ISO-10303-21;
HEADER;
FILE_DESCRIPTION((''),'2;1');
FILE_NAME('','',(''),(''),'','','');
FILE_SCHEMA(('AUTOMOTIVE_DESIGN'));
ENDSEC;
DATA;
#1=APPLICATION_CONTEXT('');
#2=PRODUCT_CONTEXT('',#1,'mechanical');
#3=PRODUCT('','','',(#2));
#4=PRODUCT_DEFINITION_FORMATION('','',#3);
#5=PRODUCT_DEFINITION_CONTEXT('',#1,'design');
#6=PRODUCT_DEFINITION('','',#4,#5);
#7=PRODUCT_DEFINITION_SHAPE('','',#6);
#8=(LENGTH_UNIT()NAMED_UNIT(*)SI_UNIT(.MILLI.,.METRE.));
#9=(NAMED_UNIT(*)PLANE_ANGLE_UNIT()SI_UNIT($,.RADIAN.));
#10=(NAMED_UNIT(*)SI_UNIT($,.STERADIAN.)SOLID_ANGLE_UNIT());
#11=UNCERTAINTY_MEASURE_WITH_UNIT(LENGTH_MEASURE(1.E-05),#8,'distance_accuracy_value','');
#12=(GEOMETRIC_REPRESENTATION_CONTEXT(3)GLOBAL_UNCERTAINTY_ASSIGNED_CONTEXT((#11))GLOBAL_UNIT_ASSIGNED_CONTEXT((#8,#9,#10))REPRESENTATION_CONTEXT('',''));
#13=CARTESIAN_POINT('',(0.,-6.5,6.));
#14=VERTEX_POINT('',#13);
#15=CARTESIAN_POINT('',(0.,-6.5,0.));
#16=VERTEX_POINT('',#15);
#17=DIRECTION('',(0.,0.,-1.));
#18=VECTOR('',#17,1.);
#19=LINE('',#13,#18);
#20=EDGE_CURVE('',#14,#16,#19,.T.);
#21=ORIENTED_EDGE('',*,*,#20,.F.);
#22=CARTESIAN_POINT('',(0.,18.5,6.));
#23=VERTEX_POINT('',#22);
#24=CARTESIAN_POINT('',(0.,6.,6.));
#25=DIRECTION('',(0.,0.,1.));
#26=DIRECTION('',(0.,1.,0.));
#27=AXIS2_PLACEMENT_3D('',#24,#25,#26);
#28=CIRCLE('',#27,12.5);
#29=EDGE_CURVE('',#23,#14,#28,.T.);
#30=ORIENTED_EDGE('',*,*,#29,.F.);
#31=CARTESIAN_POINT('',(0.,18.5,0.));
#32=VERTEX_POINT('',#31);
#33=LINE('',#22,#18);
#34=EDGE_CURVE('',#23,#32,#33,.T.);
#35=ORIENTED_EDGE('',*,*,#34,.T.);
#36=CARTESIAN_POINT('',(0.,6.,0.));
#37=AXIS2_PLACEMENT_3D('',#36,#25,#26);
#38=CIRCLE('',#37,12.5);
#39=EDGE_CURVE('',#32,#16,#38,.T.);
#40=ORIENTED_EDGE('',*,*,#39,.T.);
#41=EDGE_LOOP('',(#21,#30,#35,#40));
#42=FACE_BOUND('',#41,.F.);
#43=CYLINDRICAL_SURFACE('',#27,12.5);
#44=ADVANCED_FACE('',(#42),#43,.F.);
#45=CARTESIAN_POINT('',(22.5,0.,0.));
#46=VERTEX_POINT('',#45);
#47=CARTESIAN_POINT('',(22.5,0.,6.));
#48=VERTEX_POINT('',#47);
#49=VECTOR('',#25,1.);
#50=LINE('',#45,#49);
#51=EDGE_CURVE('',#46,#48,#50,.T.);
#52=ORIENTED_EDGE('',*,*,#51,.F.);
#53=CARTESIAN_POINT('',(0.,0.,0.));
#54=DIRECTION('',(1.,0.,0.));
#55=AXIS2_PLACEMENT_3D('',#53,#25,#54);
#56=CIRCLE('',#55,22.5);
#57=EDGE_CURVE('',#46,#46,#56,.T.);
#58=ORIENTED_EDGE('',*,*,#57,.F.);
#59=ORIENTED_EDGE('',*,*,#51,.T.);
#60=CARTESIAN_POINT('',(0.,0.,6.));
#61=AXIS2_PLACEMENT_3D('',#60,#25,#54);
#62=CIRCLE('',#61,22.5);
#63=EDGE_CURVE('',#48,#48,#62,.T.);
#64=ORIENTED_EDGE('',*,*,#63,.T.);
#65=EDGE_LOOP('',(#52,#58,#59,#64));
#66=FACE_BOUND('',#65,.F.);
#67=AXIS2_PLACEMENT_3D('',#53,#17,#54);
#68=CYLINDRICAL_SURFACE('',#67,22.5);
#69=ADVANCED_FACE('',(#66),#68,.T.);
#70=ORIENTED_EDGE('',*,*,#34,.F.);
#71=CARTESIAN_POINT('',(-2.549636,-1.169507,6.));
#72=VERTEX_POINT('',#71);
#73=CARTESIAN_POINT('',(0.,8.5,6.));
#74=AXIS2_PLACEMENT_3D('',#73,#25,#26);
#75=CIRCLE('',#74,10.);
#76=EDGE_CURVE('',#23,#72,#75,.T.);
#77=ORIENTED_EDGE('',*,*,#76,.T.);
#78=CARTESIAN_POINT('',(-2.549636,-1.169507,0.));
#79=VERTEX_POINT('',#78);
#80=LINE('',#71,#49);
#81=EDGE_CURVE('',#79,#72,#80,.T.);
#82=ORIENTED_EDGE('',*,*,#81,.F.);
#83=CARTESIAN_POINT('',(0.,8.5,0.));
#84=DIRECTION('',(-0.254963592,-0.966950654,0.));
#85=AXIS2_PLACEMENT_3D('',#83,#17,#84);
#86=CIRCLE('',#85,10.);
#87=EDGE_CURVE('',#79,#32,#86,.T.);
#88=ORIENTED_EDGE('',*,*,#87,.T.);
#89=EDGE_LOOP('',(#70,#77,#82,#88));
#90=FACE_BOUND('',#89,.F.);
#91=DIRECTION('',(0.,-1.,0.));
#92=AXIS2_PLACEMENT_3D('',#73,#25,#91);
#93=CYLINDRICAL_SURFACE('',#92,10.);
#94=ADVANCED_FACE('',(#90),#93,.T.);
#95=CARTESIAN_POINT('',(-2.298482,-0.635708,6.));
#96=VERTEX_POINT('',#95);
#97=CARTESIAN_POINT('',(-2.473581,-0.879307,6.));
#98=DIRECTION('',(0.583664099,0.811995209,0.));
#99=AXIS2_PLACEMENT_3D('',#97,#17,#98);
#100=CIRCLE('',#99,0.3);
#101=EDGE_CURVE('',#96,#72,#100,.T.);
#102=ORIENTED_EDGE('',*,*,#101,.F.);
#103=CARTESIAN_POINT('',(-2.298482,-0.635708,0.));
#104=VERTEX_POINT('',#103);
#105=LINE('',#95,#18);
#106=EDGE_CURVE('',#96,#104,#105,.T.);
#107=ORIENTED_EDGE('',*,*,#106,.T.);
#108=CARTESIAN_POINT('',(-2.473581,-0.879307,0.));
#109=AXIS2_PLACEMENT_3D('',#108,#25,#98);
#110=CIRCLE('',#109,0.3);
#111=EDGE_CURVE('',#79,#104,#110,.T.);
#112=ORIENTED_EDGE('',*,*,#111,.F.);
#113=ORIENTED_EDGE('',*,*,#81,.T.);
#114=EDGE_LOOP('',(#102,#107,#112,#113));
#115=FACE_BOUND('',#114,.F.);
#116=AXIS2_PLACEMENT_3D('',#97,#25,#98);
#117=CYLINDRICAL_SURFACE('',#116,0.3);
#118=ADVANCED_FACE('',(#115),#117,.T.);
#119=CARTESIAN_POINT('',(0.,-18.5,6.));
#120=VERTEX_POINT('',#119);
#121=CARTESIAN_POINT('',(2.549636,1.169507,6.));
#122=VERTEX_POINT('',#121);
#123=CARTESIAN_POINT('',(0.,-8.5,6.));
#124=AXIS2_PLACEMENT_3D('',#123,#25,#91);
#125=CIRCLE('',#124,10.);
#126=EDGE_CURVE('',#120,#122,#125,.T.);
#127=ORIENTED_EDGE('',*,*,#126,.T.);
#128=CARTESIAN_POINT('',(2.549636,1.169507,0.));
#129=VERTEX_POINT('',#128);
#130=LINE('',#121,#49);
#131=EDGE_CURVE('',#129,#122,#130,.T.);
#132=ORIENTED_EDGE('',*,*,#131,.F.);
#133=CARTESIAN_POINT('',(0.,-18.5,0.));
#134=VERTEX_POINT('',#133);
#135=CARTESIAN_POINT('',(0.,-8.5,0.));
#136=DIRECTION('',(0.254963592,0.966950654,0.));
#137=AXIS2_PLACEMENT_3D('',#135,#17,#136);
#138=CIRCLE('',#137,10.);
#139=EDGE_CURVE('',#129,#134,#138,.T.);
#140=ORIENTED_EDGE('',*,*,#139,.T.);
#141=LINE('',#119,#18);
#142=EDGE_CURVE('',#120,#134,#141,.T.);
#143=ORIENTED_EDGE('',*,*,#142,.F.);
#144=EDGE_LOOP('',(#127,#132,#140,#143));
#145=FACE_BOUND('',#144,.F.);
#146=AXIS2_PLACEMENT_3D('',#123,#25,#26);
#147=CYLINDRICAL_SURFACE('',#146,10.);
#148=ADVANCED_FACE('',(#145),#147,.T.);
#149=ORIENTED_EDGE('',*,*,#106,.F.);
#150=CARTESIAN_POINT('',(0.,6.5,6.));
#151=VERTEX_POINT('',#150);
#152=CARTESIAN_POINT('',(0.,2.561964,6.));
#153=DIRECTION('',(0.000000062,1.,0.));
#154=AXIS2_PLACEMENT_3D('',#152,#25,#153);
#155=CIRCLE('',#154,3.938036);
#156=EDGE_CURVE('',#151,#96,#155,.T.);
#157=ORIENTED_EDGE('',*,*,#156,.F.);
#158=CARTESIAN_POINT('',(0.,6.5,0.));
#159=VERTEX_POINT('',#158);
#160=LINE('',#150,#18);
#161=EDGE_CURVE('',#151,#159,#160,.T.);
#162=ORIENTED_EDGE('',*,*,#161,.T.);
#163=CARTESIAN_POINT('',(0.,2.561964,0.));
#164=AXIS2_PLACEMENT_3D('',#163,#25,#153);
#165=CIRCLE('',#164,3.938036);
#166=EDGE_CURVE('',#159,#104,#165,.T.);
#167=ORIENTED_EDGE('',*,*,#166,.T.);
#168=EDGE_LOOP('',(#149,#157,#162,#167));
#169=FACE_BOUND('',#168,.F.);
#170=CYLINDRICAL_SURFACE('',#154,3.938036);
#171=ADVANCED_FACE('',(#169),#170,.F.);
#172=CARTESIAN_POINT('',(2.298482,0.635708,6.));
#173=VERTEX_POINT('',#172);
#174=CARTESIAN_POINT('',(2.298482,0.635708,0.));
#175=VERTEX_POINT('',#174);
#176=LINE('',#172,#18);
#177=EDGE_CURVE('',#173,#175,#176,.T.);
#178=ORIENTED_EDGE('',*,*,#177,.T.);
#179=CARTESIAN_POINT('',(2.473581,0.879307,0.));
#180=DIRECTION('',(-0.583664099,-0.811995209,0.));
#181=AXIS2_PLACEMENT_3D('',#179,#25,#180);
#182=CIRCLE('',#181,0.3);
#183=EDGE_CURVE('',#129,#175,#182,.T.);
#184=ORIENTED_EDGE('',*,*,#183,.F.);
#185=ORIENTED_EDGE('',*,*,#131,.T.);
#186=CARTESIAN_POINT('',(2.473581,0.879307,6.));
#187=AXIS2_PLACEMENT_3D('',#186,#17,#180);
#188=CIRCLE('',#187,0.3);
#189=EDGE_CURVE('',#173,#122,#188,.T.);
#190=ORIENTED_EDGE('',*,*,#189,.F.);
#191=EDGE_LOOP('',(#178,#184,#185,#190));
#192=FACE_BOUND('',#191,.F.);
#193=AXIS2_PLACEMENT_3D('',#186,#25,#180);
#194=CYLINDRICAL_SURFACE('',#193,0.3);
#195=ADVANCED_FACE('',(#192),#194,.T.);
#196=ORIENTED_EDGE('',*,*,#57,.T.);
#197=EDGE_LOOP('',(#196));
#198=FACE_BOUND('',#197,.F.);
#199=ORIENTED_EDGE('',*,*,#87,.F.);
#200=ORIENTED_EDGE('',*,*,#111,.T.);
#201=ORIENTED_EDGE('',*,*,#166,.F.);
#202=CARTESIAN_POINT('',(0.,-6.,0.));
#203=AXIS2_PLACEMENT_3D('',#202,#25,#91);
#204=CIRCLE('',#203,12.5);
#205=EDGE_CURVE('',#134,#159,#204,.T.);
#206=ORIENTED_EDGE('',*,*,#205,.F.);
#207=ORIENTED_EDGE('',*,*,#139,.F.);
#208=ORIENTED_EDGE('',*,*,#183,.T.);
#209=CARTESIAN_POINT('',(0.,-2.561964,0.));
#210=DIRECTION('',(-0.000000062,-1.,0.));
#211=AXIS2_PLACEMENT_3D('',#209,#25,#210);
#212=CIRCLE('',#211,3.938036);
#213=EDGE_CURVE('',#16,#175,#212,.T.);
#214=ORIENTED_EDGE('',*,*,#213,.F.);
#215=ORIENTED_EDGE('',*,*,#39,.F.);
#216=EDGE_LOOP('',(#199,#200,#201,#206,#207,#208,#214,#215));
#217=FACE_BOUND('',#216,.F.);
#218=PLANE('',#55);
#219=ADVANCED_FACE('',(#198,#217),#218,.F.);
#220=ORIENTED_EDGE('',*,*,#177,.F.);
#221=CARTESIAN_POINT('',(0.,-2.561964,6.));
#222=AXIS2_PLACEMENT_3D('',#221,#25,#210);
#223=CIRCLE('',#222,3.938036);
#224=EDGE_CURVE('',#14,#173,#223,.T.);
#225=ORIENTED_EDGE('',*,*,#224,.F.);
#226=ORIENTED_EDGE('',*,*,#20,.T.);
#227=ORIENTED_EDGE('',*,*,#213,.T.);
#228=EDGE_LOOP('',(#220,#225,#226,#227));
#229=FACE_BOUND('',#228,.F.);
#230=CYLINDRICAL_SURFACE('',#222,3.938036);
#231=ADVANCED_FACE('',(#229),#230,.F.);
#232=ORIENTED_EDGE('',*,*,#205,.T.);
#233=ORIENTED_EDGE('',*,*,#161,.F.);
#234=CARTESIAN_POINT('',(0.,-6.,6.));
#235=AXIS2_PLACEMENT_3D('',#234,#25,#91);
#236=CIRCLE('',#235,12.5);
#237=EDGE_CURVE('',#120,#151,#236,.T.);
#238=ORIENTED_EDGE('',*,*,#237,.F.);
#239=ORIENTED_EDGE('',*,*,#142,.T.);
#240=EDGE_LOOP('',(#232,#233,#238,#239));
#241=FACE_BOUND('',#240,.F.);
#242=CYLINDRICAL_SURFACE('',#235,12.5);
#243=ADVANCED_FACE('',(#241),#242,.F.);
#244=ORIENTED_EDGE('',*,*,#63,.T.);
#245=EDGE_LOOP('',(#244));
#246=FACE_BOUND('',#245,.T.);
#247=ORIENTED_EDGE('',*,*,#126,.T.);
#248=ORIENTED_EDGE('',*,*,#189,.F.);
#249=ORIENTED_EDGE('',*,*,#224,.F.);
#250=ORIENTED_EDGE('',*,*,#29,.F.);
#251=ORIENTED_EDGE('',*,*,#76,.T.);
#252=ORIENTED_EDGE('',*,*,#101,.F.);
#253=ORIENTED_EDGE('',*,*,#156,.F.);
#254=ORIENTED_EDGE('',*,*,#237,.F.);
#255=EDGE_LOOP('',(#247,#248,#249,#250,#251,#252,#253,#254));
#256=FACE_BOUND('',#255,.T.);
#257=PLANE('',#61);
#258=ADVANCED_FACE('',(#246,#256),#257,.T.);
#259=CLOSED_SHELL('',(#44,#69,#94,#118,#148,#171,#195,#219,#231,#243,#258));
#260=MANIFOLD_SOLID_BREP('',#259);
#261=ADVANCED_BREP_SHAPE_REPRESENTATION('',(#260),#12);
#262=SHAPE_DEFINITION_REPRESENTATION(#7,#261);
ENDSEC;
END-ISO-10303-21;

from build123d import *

# Parameters (mm, degrees)
F0_R     = 22.5
F1_DEPTH = 6
F3_DEPTH = 25
F5_DEPTH = 25


with BuildPart() as f1:
    # F0 (on Top) → F1 (new body)
    with BuildSketch(Plane.XY):
        Circle(F0_R)
    extrude(amount=F1_DEPTH)

    # F2 (on face) → F3 (cut)
    with BuildSketch(Plane.XY.offset(6)):
        with BuildLine():
            ThreePointArc((0, 18.5), (-12.5, 6), (0, -6.5))
            ThreePointArc((0, -6.5), (2.5, -4), (0, -1.5))
            ThreePointArc((0, -1.5), (-10, 8.5), (0, 18.5))
        make_face()
        with BuildLine():
            ThreePointArc((0, 1.5), (10, -8.5), (0, -18.5))
            ThreePointArc((0, -18.5), (12.5, -6), (0, 6.5))
            ThreePointArc((0, 6.5), (-2.5, 4), (0, 1.5))
        make_face()
    extrude(amount=-F3_DEPTH, mode=Mode.SUBTRACT)

    # F4 (on face) → F5 (cut)
    with BuildSketch(Plane.XY.offset(6)):
        with BuildLine():
            ThreePointArc((2.298482, 0.635708), (2.202225, 1.007236), (2.550083, 1.169389))
            ThreePointArc((2.550083, 1.169389), (1.285713, 1.417003), (0, 1.5))
            Line((0, 1.5), (0, -1.5))
            ThreePointArc((0, -1.5), (-2.5, -4), (0, -6.5))
            ThreePointArc((0, -6.5), (3.748378, -3.769354), (2.298482, 0.635708))
        make_face()
        with BuildLine():
            Line((0, -1.5), (0, 1.5))
            ThreePointArc((0, 1.5), (2.5, 4), (0, 6.5))
            ThreePointArc((0, 6.5), (-3.748378, 3.769354), (-2.298482, -0.635708))
            ThreePointArc((-2.298482, -0.635708), (-2.202225, -1.007236), (-2.550083, -1.169389))
            ThreePointArc((-2.550083, -1.169389), (-1.285713, -1.417003), (0, -1.5))
        make_face()
    extrude(amount=-F5_DEPTH, mode=Mode.SUBTRACT)


solid = f1.part
